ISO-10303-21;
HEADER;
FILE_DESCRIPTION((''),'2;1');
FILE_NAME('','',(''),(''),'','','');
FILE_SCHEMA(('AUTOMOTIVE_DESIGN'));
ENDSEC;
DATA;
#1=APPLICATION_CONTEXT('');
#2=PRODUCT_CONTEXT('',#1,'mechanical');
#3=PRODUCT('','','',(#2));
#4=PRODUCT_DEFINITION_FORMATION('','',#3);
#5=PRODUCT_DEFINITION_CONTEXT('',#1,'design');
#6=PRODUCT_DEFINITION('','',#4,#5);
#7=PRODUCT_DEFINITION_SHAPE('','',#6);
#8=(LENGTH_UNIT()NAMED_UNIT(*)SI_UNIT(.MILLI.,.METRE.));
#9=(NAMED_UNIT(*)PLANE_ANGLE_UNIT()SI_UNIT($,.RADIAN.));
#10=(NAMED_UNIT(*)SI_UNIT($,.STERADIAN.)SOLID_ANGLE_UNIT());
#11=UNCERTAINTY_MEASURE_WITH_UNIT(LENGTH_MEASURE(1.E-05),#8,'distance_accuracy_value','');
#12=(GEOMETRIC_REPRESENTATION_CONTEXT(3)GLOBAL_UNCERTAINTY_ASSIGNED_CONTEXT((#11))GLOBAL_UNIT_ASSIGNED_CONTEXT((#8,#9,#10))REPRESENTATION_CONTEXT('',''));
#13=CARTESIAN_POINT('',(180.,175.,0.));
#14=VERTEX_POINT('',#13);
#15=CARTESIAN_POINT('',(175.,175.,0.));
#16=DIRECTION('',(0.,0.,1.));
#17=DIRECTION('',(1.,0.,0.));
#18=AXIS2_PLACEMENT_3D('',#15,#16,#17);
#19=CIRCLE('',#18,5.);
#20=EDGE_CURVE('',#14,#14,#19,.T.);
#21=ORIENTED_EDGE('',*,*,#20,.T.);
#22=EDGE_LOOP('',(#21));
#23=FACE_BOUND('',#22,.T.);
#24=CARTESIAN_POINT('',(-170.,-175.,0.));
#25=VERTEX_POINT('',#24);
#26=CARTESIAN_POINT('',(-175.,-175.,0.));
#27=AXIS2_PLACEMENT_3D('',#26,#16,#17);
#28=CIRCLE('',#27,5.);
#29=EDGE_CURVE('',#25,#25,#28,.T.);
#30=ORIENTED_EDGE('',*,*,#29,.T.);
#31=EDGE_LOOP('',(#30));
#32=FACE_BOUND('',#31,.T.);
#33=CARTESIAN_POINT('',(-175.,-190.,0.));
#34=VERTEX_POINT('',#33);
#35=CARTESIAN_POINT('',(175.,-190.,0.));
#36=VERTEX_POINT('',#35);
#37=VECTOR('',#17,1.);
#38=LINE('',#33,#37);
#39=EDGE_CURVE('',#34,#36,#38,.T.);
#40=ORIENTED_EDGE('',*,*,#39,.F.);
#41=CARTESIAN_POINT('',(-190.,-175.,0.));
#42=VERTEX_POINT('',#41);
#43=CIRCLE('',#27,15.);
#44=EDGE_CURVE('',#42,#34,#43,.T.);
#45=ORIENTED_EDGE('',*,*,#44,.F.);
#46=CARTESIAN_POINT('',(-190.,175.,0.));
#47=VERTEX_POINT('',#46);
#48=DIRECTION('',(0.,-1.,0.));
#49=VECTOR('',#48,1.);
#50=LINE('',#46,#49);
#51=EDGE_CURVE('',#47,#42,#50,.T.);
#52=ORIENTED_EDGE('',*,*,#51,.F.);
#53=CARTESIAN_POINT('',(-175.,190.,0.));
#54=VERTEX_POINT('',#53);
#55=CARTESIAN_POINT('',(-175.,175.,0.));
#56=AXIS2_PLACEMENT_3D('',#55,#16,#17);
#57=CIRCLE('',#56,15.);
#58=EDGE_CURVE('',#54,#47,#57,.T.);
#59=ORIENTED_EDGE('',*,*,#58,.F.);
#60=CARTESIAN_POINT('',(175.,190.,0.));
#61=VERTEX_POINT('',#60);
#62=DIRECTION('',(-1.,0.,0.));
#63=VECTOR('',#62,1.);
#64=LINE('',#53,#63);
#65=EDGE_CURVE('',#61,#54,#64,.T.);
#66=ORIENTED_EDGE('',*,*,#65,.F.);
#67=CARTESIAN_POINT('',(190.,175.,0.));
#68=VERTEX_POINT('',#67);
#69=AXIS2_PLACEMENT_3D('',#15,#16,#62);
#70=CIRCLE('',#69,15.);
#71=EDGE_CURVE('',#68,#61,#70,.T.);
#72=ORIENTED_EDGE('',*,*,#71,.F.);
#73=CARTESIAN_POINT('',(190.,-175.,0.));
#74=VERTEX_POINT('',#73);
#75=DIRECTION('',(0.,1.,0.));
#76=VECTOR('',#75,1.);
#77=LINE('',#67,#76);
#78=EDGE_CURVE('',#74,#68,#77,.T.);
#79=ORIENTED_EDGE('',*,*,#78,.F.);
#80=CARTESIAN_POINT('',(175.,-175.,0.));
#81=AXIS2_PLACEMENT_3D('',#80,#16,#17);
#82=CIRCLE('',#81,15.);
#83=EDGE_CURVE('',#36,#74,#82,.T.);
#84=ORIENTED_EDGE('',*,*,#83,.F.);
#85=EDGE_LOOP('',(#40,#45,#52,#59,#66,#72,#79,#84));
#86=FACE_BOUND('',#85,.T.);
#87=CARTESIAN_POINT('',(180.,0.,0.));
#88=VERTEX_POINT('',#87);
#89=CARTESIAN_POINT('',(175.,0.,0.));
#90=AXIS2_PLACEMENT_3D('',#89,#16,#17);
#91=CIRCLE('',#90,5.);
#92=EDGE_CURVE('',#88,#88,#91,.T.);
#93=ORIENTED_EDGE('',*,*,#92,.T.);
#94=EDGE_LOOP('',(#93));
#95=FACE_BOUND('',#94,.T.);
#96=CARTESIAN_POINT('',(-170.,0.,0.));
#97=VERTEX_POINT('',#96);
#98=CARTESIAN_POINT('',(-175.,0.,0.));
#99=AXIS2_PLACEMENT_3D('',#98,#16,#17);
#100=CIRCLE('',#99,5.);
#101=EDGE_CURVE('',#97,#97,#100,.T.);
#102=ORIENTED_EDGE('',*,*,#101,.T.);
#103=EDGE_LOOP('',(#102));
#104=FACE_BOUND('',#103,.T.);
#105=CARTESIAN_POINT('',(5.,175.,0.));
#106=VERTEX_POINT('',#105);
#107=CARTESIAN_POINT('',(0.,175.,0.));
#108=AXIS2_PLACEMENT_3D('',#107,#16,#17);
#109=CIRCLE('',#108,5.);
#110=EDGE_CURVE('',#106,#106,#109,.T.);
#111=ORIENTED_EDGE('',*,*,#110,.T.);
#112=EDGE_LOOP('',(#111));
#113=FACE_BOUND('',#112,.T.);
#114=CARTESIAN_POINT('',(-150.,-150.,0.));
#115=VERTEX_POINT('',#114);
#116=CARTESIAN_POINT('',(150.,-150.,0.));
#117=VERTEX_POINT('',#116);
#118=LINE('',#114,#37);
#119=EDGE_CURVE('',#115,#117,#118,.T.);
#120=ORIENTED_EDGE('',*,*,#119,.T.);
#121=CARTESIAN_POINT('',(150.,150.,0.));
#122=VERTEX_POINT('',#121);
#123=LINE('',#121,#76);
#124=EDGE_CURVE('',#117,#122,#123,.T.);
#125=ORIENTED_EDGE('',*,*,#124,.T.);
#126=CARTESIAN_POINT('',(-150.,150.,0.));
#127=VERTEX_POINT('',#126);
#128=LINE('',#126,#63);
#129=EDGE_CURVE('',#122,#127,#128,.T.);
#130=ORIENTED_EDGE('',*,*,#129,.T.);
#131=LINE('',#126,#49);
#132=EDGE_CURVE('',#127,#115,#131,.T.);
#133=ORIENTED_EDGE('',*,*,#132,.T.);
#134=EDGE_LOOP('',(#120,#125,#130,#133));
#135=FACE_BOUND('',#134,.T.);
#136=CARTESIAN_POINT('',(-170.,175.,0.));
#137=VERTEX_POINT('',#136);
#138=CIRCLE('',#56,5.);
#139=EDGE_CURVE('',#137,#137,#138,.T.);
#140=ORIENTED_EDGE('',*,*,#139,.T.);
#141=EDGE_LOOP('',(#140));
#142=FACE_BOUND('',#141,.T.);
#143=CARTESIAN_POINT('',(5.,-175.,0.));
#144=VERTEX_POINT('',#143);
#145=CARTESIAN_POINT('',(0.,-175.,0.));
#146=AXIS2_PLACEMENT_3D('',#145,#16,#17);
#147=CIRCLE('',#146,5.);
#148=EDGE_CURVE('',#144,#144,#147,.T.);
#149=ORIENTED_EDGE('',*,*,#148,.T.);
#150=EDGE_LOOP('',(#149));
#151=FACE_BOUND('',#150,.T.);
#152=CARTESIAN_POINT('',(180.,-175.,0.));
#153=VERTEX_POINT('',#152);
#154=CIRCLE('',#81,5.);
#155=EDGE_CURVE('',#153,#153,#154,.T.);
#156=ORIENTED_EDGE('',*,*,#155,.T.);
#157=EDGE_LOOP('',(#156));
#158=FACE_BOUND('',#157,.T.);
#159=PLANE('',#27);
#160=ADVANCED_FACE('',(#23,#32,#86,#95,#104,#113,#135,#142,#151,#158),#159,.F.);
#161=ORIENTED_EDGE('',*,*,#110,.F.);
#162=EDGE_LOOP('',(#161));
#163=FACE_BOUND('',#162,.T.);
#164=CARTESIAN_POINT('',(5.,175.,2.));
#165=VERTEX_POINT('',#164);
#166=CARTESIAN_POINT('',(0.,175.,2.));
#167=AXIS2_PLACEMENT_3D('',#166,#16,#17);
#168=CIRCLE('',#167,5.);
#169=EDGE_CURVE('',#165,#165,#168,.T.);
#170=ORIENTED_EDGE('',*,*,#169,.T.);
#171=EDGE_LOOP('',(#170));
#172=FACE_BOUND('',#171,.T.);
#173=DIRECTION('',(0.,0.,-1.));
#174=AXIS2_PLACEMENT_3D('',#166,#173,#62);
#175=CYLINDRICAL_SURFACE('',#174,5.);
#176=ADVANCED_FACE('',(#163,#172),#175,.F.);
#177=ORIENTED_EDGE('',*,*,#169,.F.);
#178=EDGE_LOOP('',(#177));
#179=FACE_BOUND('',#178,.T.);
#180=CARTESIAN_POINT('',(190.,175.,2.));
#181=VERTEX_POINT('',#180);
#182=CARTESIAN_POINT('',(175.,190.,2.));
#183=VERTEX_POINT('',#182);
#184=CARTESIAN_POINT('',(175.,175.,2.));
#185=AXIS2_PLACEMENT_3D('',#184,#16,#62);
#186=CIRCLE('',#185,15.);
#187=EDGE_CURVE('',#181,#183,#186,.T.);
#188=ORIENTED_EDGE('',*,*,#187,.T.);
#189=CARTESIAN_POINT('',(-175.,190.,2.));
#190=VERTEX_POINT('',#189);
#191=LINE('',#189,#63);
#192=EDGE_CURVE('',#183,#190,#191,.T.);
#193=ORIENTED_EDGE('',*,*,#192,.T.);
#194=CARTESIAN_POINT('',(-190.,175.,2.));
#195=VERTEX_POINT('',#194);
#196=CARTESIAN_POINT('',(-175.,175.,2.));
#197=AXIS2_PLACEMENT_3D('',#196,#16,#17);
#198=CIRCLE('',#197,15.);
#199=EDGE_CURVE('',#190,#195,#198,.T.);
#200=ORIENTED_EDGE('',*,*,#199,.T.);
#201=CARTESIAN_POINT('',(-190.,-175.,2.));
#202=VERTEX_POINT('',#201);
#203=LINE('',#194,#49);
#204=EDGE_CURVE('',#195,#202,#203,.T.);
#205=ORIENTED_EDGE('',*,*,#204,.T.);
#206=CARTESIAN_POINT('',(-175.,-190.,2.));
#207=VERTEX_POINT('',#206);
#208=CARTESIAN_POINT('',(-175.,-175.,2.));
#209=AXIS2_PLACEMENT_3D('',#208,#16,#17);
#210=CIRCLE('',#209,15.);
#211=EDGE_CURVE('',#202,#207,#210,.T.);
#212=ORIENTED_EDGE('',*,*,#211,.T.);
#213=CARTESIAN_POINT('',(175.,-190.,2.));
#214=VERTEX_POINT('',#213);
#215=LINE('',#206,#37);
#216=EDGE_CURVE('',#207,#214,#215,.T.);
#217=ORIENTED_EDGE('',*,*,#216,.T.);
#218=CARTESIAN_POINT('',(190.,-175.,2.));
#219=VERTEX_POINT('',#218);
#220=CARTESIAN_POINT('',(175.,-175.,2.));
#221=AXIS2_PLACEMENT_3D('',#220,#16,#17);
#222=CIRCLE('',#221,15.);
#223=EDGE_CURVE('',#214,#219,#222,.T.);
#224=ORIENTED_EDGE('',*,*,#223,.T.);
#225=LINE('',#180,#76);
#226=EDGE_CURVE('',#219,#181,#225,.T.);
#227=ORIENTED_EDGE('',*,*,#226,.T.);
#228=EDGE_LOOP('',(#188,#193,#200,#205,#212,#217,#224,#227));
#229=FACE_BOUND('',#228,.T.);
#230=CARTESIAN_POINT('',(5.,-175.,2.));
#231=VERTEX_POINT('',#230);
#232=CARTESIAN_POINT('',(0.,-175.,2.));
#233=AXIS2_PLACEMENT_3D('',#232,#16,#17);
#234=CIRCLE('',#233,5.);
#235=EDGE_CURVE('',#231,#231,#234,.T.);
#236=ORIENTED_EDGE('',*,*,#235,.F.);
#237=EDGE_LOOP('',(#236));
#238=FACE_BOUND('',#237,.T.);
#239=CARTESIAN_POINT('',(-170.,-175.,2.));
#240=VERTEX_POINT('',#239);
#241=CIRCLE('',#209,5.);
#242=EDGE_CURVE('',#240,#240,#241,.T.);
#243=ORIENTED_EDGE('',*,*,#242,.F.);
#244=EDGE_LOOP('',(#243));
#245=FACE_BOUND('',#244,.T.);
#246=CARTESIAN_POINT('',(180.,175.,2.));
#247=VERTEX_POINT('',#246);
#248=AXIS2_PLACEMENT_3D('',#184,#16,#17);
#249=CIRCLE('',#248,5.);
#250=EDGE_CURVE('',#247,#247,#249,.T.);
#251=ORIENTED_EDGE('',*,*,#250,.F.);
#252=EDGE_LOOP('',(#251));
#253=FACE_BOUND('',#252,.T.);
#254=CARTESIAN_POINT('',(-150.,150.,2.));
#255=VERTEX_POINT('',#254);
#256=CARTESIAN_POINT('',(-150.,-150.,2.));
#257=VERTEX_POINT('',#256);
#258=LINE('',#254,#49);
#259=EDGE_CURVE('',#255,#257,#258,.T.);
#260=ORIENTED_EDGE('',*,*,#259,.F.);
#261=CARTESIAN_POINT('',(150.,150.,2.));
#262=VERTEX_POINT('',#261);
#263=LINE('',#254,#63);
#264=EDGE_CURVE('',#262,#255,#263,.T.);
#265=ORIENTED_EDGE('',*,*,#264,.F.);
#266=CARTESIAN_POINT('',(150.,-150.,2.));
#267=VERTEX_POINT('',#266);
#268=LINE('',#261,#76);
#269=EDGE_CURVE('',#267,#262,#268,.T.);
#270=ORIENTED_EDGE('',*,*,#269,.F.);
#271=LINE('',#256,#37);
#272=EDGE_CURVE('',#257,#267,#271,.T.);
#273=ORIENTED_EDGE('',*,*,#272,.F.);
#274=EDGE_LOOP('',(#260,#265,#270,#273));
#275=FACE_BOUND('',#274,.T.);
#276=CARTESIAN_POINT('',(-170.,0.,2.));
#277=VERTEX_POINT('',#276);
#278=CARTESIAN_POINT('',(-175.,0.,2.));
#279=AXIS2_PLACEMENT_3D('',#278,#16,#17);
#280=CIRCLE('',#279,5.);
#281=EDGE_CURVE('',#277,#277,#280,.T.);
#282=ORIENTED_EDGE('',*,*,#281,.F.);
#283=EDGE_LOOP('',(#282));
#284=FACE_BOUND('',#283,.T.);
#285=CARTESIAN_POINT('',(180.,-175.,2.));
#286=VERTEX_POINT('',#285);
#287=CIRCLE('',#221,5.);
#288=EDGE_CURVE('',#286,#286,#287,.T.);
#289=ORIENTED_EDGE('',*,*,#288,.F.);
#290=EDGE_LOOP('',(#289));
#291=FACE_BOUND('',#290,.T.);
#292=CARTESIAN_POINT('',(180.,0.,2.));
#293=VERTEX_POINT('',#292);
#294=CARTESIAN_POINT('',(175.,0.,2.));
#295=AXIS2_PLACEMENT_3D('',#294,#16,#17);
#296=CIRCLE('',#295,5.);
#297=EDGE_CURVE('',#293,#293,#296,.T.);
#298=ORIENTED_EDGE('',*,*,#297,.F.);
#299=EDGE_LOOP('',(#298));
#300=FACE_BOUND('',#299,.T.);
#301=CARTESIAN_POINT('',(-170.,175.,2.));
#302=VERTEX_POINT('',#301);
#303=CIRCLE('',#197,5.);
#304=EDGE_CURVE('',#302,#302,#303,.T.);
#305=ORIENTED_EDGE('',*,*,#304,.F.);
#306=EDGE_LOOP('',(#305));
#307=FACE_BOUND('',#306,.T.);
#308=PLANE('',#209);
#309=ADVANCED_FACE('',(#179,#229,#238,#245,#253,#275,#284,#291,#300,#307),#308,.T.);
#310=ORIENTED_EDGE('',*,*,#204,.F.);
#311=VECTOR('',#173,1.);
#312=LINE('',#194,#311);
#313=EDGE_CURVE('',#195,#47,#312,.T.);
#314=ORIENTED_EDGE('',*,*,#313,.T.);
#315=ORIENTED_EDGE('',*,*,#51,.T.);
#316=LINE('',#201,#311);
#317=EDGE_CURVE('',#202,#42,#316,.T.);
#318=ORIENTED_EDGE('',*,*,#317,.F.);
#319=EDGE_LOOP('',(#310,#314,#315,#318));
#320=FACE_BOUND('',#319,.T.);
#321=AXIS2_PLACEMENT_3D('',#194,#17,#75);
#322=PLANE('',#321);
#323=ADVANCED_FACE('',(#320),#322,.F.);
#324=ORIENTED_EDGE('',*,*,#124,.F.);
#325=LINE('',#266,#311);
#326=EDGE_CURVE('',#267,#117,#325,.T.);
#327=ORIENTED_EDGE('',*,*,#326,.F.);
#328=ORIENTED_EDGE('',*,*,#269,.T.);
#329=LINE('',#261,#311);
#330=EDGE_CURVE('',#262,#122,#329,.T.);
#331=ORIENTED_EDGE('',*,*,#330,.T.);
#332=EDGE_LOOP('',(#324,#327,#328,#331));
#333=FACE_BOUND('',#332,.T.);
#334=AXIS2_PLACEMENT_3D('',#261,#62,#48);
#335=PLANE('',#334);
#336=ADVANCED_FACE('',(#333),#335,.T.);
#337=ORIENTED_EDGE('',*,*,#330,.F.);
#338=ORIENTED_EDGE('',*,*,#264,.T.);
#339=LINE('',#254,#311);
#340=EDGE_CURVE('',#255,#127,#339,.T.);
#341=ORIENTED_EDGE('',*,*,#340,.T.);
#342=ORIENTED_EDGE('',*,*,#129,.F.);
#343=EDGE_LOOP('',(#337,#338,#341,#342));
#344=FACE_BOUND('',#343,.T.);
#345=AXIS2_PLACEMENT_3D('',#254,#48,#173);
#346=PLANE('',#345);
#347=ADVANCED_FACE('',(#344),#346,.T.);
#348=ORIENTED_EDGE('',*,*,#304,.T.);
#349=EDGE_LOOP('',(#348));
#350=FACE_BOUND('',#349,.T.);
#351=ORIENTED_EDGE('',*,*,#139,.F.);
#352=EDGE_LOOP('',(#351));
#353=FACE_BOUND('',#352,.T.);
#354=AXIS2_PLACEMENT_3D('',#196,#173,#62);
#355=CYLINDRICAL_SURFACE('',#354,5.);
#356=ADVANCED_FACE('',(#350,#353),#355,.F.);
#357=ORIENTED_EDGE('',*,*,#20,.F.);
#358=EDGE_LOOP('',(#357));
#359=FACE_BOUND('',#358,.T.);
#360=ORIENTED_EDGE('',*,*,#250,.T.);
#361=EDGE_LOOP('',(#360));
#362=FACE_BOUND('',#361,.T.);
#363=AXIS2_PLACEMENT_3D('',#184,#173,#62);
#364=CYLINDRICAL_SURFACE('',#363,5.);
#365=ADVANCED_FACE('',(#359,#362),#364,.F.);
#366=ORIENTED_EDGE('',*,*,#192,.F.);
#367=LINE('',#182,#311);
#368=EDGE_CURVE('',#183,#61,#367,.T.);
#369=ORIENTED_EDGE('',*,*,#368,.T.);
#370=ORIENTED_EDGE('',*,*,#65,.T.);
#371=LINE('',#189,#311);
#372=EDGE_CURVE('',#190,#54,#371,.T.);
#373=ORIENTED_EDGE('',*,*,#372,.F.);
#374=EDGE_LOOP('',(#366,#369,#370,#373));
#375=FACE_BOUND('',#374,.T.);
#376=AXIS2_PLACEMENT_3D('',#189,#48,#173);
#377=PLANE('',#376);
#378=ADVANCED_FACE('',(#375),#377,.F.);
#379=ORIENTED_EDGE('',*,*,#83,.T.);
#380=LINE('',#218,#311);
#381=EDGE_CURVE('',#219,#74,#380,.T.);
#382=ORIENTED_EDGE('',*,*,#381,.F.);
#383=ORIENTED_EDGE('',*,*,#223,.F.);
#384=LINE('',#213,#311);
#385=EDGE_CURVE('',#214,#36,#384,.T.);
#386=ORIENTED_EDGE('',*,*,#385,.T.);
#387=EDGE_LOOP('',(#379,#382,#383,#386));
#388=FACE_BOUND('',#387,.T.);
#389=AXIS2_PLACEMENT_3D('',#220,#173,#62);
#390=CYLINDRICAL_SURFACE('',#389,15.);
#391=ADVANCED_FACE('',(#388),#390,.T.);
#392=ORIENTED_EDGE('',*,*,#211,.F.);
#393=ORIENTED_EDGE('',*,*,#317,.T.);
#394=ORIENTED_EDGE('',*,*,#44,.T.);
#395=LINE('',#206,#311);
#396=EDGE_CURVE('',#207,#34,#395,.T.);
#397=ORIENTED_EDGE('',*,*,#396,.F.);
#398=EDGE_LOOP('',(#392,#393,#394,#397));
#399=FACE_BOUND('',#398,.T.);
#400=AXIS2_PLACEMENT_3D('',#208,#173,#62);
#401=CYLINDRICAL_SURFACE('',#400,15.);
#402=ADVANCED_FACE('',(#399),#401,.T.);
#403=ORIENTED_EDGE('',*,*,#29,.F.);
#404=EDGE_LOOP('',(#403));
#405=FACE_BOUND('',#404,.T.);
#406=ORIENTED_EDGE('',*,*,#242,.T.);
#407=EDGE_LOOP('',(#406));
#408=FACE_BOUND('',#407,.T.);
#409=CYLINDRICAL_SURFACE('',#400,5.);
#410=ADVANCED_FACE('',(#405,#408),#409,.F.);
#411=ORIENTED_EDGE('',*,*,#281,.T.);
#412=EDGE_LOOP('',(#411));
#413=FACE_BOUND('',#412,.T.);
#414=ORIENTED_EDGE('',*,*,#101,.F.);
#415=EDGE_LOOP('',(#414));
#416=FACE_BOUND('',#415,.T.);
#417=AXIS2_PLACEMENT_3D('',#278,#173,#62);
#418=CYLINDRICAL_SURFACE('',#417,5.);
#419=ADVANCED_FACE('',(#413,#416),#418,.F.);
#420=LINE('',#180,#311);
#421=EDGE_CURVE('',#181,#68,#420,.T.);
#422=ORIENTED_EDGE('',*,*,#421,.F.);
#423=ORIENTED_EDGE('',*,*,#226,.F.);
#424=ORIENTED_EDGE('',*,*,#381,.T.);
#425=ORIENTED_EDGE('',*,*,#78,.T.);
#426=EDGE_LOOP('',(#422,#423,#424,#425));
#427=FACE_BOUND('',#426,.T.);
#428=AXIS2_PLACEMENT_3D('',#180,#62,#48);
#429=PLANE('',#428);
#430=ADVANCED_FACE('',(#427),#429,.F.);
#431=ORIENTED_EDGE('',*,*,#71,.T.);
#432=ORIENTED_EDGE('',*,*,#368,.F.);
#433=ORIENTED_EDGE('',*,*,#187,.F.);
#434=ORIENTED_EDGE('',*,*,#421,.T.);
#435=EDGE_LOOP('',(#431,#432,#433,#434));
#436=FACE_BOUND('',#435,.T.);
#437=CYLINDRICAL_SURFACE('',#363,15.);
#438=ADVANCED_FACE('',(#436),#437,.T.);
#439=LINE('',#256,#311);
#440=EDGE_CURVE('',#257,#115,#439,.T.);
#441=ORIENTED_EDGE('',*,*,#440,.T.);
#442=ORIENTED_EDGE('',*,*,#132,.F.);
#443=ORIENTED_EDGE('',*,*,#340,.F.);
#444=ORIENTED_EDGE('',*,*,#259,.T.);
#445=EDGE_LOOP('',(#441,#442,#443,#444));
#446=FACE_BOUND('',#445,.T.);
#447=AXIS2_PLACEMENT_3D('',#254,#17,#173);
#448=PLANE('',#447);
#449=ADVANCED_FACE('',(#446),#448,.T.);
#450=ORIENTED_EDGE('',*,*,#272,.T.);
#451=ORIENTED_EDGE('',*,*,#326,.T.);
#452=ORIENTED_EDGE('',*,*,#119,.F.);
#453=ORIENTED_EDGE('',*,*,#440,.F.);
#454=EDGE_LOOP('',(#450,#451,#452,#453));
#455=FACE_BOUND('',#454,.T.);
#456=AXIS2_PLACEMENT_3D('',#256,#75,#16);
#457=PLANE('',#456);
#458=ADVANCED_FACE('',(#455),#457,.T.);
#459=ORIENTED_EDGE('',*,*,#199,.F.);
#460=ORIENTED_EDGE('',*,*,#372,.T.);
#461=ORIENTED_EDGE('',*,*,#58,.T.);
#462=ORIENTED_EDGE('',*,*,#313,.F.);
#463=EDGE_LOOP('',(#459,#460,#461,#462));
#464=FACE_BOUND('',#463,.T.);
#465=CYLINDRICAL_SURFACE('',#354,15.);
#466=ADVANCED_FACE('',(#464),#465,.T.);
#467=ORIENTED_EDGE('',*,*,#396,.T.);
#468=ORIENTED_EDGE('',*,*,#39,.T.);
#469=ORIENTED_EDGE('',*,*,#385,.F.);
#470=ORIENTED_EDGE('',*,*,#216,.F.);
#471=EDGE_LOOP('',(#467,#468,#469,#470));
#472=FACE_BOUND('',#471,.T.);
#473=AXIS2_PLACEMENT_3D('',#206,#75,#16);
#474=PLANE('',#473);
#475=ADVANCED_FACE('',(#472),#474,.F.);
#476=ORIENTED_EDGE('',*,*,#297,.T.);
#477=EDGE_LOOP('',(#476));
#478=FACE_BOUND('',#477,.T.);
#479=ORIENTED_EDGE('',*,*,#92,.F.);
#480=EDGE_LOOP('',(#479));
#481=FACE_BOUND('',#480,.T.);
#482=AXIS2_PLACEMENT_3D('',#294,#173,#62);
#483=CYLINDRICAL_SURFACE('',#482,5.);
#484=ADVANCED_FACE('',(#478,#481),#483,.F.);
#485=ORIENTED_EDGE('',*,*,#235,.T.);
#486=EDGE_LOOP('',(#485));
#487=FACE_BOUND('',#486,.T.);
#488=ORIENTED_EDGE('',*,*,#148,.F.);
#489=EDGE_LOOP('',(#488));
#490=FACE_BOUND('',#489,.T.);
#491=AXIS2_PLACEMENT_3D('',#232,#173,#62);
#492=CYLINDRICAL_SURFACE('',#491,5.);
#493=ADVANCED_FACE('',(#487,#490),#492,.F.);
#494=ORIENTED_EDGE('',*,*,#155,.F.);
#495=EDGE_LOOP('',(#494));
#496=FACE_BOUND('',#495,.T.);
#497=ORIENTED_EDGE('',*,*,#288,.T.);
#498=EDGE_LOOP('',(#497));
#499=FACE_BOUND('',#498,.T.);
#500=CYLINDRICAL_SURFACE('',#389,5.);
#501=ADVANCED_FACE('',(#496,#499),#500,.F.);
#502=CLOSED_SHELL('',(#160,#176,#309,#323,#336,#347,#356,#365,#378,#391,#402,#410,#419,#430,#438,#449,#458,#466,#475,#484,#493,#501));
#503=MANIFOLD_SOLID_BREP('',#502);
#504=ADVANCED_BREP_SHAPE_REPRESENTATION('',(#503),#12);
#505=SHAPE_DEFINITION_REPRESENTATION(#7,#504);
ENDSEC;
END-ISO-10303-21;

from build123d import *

# Parameters (mm, degrees)
SKETCH2_R           = 5
SKETCH2_W           = 300
SKETCH2_H           = 300
BOSS_EXTRUDE1_DEPTH = 2


with BuildPart() as part:
    # Sketch2 → Boss-Extrude1 (new body)
    with BuildSketch(Plane.XY):
        with BuildLine():
            Line((-175, 190), (175, 190))
            ThreePointArc((175, 190), (185.606601718, 185.606601718), (190, 175))
            Line((190, 175), (190, -175))
            ThreePointArc((190, -175), (185.606601718, -185.606601718), (175, -190))
            Line((175, -190), (-175, -190))
            ThreePointArc((-175, -190), (-185.606601718, -185.606601718), (-190, -175))
            Line((-190, -175), (-190, 175))
            ThreePointArc((-190, 175), (-185.606601718, 185.606601718), (-175, 190))
        make_face()
        with Locations((-175, 175)):
            Circle(SKETCH2_R, mode=Mode.SUBTRACT)
        with Locations((0, 175)):
            Circle(SKETCH2_R, mode=Mode.SUBTRACT)
        with Locations((175, 175)):
            Circle(SKETCH2_R, mode=Mode.SUBTRACT)
        with Locations((175, 0)):
            Circle(SKETCH2_R, mode=Mode.SUBTRACT)
        with Locations((-175, 0)):
            Circle(SKETCH2_R, mode=Mode.SUBTRACT)
        with Locations((-175, -175)):
            Circle(SKETCH2_R, mode=Mode.SUBTRACT)
        with Locations((0, -175)):
            Circle(SKETCH2_R, mode=Mode.SUBTRACT)
        with Locations((175, -175)):
            Circle(SKETCH2_R, mode=Mode.SUBTRACT)
        Rectangle(SKETCH2_W, SKETCH2_H, mode=Mode.SUBTRACT)
    extrude(amount=BOSS_EXTRUDE1_DEPTH)


solid = part.part
